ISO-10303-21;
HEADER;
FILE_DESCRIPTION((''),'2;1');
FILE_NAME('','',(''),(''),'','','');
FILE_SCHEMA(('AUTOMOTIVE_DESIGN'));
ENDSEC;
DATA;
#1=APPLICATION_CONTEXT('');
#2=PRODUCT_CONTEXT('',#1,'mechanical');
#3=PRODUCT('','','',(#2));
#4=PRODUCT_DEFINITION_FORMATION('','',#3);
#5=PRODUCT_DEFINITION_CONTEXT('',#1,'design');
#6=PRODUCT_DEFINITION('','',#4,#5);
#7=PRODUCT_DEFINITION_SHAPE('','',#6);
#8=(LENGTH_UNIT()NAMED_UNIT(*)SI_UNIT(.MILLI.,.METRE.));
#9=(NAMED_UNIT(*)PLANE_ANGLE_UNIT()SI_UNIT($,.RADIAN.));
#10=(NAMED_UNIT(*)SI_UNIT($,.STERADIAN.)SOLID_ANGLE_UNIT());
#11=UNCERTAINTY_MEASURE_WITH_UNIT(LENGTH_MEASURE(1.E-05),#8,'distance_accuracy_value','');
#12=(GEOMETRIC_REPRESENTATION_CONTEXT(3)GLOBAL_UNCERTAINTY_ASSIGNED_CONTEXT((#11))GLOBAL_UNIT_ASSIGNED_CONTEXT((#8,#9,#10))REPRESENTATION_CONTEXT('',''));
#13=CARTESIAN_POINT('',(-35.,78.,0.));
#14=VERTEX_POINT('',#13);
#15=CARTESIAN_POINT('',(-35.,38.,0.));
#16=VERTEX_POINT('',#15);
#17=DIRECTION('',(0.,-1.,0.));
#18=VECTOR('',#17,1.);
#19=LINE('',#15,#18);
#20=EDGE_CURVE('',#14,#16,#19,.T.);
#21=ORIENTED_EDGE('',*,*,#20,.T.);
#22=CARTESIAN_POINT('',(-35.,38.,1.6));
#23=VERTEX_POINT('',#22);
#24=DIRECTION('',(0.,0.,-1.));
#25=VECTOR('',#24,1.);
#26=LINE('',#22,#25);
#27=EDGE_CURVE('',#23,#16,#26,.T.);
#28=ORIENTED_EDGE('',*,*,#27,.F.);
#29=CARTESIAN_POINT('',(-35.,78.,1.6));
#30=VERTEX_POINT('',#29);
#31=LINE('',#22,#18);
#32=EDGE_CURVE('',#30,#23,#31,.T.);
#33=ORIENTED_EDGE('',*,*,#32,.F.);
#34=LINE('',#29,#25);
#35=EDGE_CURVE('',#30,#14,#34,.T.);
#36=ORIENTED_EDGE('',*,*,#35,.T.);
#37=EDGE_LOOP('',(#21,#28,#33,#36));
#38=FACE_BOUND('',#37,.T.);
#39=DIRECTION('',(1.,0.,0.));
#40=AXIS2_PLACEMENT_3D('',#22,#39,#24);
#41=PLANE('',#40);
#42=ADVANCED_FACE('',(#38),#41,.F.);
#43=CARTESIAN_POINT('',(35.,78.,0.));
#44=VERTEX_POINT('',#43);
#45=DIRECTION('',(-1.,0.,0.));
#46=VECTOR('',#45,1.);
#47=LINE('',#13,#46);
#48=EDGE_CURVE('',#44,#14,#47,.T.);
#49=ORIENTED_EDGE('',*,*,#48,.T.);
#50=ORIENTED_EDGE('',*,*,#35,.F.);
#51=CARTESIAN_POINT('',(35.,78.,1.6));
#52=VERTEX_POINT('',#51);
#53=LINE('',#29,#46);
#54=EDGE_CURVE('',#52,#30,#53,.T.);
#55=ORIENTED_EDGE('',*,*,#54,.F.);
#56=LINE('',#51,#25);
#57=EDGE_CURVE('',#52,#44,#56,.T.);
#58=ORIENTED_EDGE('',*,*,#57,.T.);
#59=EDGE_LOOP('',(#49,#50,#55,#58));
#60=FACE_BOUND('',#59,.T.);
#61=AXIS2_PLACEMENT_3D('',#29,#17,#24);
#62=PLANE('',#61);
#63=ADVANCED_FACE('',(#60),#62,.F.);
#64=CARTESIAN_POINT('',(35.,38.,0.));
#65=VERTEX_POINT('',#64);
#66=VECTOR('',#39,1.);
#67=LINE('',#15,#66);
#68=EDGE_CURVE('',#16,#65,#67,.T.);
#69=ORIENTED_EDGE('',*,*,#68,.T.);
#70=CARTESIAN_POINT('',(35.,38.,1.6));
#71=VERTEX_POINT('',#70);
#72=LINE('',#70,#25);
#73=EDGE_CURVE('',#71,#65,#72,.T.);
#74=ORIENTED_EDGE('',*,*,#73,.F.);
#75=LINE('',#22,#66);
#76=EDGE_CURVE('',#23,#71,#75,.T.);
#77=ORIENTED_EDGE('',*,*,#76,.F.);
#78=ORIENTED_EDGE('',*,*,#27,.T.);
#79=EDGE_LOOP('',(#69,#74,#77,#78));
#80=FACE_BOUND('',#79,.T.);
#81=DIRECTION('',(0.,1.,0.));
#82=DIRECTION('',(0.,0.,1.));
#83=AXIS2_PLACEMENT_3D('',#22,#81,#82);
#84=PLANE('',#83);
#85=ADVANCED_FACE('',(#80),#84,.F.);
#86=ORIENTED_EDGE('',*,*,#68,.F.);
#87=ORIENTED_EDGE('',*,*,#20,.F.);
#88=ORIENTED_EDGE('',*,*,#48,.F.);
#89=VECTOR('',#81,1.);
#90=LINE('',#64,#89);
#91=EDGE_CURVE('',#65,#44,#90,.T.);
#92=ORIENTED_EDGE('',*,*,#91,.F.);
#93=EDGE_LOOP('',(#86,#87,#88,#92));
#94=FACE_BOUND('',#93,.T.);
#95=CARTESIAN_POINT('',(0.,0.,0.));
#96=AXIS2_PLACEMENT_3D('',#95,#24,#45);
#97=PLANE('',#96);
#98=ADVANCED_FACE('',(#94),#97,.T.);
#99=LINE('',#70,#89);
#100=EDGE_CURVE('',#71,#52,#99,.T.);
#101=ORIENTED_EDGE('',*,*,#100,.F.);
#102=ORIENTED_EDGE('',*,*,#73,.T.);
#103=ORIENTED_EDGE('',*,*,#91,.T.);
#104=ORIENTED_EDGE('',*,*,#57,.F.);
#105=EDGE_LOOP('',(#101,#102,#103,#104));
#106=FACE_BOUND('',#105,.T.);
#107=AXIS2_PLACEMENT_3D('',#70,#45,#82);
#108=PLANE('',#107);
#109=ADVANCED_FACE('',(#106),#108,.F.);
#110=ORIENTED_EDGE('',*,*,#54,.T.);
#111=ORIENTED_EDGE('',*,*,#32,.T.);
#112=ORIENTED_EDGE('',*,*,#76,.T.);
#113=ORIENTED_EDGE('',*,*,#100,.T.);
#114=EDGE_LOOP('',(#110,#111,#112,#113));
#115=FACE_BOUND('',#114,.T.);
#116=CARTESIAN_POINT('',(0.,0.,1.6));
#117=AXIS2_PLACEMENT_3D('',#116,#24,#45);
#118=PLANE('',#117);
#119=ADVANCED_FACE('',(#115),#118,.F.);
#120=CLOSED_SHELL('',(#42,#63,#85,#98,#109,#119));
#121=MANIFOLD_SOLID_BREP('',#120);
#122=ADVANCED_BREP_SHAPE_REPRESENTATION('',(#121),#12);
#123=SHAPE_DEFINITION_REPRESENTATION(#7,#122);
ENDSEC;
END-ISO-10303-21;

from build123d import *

# Parameters (mm, degrees)
SKETCH_1_W                          = 70
SKETCH_1_H                          = 40
F_70X40_CAMERA_BOARD_VERTICAL_DEPTH = 1.6


with BuildPart() as part:
    # 草图1 → 70x40_camera_board_vertical (new body)
    with BuildSketch(Plane.XY):
        with Locations((0, 58)):
            Rectangle(SKETCH_1_W, SKETCH_1_H)
    extrude(amount=F_70X40_CAMERA_BOARD_VERTICAL_DEPTH)


solid = part.part
